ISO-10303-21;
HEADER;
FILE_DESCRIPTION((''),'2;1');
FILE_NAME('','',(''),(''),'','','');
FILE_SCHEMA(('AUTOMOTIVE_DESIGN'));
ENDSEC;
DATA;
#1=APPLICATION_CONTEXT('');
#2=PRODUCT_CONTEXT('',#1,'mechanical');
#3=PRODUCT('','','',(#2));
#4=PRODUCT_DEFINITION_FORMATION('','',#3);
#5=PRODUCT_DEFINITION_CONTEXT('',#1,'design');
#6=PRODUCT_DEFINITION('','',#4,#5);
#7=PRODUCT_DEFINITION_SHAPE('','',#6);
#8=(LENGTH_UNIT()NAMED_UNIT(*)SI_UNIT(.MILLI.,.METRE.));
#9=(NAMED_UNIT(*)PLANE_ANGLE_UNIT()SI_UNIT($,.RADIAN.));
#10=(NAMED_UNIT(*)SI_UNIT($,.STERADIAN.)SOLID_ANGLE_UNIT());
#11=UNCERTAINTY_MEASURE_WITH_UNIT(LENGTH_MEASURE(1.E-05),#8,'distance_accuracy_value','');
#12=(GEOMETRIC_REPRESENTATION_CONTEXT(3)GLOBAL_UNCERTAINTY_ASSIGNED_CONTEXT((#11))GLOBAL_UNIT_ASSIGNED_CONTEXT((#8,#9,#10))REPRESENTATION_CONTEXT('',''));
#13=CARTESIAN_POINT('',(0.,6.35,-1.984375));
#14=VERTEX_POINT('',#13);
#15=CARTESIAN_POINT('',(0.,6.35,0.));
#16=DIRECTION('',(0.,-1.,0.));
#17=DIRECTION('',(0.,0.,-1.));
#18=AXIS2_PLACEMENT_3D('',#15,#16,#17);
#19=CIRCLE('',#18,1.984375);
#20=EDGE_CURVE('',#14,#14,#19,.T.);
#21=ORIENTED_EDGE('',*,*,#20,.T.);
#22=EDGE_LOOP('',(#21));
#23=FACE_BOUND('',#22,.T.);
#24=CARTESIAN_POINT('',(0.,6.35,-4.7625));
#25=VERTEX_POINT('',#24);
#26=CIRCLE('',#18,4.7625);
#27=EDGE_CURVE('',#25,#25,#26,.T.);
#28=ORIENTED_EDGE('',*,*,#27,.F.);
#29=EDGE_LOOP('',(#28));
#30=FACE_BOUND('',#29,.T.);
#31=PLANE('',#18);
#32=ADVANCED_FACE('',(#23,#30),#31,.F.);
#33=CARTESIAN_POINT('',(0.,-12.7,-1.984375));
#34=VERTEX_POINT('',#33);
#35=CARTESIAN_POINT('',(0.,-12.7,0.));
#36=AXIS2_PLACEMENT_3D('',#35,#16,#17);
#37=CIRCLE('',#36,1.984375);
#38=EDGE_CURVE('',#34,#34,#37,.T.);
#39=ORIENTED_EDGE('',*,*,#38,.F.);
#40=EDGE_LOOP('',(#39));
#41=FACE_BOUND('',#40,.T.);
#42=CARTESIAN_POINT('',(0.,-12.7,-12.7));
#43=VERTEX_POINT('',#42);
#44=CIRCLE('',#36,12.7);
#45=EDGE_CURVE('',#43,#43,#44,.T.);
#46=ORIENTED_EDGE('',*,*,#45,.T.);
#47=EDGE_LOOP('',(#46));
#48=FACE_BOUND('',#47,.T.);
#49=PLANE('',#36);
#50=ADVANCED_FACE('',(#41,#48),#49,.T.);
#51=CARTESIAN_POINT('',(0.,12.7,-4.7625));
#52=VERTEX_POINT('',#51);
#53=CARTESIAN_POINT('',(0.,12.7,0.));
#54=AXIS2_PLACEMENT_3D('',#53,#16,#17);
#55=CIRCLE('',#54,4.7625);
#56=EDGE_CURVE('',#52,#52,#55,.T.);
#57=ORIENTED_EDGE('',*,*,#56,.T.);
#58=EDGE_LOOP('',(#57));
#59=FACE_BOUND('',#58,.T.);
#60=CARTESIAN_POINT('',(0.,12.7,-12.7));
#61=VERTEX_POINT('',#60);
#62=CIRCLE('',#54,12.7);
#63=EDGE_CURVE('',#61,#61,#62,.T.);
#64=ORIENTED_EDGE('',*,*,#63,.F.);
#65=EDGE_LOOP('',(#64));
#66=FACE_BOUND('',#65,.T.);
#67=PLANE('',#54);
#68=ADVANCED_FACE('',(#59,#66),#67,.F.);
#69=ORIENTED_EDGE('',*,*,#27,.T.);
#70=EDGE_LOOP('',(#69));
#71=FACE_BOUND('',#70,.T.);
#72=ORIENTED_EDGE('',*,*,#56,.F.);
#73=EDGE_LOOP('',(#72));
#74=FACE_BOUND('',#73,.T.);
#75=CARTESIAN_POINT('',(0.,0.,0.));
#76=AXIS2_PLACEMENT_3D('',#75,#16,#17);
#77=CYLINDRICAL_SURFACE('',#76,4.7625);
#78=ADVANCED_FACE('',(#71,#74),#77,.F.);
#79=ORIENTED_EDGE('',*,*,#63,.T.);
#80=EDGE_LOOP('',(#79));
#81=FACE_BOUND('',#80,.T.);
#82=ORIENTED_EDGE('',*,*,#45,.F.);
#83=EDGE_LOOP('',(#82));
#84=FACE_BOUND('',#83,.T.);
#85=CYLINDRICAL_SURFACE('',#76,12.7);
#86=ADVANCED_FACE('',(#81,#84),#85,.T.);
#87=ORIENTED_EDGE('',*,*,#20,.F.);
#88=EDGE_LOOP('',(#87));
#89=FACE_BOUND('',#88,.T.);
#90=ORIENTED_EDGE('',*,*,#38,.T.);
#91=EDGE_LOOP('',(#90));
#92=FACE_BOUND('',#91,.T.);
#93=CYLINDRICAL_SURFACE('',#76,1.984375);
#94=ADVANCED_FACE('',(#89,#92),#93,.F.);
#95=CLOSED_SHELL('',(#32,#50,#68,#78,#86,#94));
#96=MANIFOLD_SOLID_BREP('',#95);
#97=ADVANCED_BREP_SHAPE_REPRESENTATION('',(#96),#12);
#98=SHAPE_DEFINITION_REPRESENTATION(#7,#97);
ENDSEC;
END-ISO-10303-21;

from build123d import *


with BuildPart() as part:
    # Sketch2 → Revolve1 (revolve)
    with BuildSketch(Plane.XY):
        Polygon((1.984375, 6.35), (1.984375, -12.7), (12.7, -12.7), (12.7, 12.7), (4.7625, 12.7), (4.7625, 6.35), align=None)
    revolve(axis=Axis((0, 0, 0), (0, 1, 0)))


solid = part.part
